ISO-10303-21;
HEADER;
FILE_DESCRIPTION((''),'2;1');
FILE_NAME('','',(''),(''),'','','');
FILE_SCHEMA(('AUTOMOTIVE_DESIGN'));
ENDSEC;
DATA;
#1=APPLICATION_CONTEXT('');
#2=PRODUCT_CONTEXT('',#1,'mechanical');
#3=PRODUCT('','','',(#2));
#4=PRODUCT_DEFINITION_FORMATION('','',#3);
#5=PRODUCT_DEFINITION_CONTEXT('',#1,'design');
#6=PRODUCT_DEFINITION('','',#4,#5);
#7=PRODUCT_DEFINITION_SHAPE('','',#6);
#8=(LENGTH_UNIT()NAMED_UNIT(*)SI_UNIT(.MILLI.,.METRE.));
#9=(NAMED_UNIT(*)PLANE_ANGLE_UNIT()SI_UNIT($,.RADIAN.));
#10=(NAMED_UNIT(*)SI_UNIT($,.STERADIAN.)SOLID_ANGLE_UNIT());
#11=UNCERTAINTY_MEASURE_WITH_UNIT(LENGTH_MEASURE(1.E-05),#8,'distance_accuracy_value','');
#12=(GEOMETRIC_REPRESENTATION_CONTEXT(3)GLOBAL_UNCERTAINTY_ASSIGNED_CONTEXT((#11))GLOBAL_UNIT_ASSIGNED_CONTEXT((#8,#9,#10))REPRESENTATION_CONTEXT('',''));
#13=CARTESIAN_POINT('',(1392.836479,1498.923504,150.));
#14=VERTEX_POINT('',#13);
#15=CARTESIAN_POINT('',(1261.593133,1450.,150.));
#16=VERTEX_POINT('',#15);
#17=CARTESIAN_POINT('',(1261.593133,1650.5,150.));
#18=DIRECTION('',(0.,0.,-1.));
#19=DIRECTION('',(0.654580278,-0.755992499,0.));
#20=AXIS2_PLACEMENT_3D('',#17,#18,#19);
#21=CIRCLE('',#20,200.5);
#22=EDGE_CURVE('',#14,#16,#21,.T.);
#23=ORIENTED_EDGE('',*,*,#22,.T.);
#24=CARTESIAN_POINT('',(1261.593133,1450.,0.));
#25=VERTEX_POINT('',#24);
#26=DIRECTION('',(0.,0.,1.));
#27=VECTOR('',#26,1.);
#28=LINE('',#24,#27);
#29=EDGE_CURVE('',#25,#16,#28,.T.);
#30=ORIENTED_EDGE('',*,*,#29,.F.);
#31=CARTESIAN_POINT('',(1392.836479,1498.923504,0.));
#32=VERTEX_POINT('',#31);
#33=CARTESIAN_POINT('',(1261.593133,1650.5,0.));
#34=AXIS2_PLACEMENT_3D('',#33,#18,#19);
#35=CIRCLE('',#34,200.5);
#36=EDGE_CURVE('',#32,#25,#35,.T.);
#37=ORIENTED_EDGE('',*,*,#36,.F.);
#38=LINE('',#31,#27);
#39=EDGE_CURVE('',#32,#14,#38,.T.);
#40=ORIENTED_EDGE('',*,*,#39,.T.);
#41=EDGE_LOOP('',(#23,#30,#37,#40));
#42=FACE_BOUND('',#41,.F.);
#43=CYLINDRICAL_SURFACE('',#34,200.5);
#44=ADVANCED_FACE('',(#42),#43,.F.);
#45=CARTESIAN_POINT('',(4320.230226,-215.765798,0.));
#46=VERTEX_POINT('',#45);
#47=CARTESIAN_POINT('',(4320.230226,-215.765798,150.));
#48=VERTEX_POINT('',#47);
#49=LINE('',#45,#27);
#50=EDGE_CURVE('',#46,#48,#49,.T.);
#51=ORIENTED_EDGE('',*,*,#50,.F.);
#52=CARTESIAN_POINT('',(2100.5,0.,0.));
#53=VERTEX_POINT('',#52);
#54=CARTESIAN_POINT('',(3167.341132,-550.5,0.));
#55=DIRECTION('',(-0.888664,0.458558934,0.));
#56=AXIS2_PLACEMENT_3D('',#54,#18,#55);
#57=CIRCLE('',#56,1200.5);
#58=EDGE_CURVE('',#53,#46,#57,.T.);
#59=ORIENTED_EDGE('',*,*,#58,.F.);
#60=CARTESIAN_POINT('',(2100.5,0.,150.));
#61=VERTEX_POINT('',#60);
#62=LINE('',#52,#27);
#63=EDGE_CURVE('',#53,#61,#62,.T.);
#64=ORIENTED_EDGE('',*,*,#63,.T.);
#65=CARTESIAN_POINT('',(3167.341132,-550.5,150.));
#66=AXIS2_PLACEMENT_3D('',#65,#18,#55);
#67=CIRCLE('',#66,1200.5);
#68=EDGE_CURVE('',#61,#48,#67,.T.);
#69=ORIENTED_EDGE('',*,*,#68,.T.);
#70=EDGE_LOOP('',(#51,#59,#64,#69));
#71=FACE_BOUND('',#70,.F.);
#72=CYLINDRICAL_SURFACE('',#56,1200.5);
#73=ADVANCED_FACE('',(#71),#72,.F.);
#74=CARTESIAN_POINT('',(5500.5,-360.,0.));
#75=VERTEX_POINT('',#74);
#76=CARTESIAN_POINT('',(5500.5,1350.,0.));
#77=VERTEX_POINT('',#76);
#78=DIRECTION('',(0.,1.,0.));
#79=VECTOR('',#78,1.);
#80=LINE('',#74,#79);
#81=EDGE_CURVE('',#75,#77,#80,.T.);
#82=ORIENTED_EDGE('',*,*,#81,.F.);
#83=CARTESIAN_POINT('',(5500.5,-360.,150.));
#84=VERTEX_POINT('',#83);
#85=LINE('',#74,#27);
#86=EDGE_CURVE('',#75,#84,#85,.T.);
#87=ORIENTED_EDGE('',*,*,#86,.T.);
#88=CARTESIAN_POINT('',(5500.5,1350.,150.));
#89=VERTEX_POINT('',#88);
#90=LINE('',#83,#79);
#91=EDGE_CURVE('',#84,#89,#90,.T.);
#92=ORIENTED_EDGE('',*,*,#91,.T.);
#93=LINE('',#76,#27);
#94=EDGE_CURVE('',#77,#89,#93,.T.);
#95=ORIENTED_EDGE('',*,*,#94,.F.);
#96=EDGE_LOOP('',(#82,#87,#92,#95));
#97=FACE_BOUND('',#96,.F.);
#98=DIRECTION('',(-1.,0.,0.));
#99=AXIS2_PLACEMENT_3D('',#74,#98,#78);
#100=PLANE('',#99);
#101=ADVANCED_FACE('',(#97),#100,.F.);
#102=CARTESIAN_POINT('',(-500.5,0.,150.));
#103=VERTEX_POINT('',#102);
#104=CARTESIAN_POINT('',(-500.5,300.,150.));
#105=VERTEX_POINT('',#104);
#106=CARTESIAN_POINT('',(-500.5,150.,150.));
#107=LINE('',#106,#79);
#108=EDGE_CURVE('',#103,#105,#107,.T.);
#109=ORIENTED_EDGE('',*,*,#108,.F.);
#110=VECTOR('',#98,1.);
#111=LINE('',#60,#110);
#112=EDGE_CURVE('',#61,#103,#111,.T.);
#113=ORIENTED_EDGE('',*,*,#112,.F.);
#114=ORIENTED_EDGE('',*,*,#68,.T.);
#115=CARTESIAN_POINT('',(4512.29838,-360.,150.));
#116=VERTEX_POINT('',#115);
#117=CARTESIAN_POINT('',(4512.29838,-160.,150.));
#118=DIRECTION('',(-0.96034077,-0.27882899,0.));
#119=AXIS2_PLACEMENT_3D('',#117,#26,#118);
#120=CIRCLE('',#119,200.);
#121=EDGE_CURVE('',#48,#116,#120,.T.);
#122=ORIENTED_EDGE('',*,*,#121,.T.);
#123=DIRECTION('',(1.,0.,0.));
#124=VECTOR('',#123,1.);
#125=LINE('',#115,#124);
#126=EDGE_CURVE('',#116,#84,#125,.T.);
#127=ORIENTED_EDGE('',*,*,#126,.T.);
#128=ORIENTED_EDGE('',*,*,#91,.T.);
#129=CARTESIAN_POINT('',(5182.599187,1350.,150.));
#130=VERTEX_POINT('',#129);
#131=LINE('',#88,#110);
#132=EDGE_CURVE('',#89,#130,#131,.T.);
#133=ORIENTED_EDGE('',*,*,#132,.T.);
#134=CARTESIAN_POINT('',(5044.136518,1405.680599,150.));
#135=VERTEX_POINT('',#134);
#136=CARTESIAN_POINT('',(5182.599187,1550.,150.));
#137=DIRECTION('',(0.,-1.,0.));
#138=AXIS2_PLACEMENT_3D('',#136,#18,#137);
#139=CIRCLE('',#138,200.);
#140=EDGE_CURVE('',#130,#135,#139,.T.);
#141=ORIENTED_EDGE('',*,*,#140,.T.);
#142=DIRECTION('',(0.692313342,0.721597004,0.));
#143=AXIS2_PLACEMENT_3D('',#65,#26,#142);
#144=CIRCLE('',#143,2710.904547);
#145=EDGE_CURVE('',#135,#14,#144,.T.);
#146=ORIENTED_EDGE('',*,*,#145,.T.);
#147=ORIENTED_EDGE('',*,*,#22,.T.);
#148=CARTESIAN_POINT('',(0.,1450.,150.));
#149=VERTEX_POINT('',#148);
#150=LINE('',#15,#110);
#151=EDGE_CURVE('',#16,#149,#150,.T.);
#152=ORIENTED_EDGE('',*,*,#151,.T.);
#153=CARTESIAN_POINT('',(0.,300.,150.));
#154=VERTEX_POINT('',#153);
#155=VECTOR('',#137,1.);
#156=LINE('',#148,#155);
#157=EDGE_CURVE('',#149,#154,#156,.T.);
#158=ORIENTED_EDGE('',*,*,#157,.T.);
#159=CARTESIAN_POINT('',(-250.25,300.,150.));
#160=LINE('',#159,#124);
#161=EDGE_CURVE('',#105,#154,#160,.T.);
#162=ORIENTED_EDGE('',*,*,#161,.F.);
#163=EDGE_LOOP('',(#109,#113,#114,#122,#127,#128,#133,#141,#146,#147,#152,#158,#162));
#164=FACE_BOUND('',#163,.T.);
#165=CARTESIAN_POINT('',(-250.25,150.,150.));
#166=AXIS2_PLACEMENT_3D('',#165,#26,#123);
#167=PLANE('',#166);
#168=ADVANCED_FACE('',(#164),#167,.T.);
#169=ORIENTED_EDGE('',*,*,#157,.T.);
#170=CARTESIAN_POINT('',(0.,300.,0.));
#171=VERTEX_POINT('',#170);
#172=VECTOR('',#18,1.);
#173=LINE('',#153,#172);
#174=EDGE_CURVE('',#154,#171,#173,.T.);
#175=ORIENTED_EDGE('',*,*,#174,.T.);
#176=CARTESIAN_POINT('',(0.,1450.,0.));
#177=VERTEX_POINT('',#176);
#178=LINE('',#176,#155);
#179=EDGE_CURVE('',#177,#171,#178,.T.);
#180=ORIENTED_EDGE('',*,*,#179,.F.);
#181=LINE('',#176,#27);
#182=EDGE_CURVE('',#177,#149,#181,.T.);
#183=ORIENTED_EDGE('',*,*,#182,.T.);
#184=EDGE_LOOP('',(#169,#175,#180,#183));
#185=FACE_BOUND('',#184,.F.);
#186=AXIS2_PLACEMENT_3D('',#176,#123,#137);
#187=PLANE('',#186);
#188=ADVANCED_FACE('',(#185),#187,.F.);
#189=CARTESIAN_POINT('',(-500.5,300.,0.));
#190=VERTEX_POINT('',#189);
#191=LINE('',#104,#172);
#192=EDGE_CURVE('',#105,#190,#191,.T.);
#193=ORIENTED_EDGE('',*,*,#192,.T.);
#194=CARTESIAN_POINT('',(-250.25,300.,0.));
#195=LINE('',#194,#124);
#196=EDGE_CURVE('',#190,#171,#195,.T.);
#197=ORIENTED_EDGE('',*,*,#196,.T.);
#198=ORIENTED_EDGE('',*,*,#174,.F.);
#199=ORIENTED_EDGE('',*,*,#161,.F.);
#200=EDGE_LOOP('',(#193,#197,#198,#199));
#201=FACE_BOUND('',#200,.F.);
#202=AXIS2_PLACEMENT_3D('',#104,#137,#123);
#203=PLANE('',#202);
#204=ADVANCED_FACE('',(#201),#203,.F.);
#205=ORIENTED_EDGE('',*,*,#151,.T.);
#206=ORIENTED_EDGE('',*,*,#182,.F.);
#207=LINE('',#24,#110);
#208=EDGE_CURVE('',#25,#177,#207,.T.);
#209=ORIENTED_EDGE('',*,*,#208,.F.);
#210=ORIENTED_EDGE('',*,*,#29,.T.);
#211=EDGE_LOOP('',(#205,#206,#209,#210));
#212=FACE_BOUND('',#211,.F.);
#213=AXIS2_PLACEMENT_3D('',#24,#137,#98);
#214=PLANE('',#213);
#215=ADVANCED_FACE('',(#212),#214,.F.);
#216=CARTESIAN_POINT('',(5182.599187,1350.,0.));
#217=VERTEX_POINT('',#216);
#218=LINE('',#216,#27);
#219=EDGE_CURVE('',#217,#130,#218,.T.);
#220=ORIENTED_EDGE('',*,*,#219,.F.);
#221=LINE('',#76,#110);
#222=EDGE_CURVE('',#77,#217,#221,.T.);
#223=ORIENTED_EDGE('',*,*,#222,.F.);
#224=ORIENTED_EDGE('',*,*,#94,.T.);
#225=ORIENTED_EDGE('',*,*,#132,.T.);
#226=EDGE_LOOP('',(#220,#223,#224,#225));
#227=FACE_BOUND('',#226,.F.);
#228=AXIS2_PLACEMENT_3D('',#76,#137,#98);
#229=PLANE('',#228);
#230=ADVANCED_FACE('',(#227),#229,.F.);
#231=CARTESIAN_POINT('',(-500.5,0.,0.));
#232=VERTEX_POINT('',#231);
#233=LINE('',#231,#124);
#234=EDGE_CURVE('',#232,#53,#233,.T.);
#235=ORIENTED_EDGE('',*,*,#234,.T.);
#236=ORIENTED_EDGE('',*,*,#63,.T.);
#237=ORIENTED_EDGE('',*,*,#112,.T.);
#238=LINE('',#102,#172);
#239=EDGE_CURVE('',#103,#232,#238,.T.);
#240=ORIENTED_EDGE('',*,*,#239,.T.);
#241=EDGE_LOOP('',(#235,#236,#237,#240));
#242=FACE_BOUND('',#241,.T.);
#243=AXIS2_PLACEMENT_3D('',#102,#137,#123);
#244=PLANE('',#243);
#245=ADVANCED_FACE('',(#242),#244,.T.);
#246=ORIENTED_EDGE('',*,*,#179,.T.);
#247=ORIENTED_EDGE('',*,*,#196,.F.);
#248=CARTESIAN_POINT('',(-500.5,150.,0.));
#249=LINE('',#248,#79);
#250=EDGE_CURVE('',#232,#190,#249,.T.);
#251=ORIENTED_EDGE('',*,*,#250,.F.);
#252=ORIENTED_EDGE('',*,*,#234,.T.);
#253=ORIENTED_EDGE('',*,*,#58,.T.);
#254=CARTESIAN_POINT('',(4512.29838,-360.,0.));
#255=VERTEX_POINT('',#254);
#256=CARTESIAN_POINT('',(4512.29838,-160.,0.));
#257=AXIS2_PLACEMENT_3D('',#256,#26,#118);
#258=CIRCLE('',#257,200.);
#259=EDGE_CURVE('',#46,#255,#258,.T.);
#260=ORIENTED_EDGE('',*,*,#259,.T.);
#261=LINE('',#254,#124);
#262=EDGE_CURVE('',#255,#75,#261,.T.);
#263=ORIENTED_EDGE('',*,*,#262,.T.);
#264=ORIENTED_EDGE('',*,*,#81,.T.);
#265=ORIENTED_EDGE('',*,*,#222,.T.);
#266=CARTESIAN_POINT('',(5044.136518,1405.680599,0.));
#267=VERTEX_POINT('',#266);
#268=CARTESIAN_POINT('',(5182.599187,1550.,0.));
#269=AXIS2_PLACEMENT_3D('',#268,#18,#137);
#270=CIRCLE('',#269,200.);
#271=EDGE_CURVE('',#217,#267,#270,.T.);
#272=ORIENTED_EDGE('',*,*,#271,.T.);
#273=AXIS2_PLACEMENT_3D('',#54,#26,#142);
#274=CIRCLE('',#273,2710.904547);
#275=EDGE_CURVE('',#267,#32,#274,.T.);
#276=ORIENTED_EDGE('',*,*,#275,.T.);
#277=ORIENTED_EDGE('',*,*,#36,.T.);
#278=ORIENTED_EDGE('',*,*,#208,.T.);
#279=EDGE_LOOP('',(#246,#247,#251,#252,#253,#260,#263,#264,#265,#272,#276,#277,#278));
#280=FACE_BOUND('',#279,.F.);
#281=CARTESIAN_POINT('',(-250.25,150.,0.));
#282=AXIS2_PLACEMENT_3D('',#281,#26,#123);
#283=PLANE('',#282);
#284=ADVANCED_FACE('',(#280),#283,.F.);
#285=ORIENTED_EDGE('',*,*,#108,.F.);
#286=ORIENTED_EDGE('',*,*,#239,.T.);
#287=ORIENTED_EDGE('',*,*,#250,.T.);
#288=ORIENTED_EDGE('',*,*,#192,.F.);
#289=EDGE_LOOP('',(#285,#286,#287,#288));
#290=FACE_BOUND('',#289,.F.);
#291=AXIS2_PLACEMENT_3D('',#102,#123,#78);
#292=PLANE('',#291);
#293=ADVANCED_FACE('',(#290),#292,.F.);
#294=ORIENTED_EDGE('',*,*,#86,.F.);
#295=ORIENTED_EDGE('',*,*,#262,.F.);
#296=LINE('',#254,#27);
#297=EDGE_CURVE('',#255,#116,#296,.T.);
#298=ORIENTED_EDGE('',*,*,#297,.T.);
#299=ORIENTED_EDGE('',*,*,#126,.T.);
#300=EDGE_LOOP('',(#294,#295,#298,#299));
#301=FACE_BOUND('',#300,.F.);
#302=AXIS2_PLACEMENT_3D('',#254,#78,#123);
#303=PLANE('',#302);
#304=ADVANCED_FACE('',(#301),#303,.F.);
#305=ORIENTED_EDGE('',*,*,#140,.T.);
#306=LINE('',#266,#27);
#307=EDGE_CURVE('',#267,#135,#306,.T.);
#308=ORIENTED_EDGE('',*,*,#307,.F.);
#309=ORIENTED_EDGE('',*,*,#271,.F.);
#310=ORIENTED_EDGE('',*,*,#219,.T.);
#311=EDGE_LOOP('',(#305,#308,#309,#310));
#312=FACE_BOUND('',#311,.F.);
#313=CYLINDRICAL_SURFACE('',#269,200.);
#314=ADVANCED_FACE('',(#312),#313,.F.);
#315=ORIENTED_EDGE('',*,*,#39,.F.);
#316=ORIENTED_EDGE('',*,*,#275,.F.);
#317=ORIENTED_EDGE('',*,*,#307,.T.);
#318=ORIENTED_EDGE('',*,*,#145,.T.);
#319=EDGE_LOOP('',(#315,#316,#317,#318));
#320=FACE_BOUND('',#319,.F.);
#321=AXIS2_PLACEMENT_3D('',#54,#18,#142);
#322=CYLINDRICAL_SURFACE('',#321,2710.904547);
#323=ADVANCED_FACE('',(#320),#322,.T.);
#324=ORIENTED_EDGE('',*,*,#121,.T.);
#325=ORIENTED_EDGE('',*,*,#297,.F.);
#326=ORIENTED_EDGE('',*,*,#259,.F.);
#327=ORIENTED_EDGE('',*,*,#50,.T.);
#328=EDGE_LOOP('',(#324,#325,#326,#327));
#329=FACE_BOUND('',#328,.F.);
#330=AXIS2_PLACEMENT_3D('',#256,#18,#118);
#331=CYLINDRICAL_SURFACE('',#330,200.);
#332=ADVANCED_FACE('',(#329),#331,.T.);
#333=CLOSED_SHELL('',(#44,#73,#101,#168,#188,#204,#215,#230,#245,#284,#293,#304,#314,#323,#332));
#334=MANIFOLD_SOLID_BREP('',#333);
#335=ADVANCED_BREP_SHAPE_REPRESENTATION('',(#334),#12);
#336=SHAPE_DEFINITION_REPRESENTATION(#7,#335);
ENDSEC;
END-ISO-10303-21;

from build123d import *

# Parameters (mm, degrees)
F1_DEPTH = 150
F2_W     = 500.5
F2_H     = 300
F3_DEPTH = 150


with BuildPart() as f1:
    # F0 (on Top) → F1 (new body)
    with BuildSketch(Plane.XY):
        with BuildLine():
            Line((0, 1450), (0, 0))
            Line((0, 0), (2100.5, 0))
            ThreePointArc((2100.5, 0), (3283.4866560837, 644.3683890431), (4320.2302259558, -215.7657979293))
            ThreePointArc((4320.2302259558, -215.7657979293), (4392.2008354062, -319.9267951062), (4512.2983799567, -360))
            Line((4512.2983799567, -360), (5500.5, -360))
            Line((5500.5, -360), (5500.5, 1350))
            Line((5500.5, 1350), (5182.5991868116, 1350))
            ThreePointArc((5182.5991868116, 1350), (5107.9797528941, 1364.4415453777), (5044.1365183863, 1405.6805991817))
            ThreePointArc((5044.1365183863, 1405.6805991817), (3236.5466832995, 2159.5210427626), (1392.8364788773, 1498.9235038651))
            ThreePointArc((1392.8364788773, 1498.9235038651), (1331.6258487254, 1462.6285845651), (1261.5931330671, 1450))
            Line((1261.5931330671, 1450), (0, 1450))
        make_face()
    extrude(amount=F1_DEPTH)

    # F2 (on face) → F3 (join, through all)
    with BuildSketch(Plane.XY.offset(150)):
        with Locations((-250.25, 150)):
            Rectangle(F2_W, F2_H)
    extrude(amount=-F3_DEPTH)


solid = f1.part
